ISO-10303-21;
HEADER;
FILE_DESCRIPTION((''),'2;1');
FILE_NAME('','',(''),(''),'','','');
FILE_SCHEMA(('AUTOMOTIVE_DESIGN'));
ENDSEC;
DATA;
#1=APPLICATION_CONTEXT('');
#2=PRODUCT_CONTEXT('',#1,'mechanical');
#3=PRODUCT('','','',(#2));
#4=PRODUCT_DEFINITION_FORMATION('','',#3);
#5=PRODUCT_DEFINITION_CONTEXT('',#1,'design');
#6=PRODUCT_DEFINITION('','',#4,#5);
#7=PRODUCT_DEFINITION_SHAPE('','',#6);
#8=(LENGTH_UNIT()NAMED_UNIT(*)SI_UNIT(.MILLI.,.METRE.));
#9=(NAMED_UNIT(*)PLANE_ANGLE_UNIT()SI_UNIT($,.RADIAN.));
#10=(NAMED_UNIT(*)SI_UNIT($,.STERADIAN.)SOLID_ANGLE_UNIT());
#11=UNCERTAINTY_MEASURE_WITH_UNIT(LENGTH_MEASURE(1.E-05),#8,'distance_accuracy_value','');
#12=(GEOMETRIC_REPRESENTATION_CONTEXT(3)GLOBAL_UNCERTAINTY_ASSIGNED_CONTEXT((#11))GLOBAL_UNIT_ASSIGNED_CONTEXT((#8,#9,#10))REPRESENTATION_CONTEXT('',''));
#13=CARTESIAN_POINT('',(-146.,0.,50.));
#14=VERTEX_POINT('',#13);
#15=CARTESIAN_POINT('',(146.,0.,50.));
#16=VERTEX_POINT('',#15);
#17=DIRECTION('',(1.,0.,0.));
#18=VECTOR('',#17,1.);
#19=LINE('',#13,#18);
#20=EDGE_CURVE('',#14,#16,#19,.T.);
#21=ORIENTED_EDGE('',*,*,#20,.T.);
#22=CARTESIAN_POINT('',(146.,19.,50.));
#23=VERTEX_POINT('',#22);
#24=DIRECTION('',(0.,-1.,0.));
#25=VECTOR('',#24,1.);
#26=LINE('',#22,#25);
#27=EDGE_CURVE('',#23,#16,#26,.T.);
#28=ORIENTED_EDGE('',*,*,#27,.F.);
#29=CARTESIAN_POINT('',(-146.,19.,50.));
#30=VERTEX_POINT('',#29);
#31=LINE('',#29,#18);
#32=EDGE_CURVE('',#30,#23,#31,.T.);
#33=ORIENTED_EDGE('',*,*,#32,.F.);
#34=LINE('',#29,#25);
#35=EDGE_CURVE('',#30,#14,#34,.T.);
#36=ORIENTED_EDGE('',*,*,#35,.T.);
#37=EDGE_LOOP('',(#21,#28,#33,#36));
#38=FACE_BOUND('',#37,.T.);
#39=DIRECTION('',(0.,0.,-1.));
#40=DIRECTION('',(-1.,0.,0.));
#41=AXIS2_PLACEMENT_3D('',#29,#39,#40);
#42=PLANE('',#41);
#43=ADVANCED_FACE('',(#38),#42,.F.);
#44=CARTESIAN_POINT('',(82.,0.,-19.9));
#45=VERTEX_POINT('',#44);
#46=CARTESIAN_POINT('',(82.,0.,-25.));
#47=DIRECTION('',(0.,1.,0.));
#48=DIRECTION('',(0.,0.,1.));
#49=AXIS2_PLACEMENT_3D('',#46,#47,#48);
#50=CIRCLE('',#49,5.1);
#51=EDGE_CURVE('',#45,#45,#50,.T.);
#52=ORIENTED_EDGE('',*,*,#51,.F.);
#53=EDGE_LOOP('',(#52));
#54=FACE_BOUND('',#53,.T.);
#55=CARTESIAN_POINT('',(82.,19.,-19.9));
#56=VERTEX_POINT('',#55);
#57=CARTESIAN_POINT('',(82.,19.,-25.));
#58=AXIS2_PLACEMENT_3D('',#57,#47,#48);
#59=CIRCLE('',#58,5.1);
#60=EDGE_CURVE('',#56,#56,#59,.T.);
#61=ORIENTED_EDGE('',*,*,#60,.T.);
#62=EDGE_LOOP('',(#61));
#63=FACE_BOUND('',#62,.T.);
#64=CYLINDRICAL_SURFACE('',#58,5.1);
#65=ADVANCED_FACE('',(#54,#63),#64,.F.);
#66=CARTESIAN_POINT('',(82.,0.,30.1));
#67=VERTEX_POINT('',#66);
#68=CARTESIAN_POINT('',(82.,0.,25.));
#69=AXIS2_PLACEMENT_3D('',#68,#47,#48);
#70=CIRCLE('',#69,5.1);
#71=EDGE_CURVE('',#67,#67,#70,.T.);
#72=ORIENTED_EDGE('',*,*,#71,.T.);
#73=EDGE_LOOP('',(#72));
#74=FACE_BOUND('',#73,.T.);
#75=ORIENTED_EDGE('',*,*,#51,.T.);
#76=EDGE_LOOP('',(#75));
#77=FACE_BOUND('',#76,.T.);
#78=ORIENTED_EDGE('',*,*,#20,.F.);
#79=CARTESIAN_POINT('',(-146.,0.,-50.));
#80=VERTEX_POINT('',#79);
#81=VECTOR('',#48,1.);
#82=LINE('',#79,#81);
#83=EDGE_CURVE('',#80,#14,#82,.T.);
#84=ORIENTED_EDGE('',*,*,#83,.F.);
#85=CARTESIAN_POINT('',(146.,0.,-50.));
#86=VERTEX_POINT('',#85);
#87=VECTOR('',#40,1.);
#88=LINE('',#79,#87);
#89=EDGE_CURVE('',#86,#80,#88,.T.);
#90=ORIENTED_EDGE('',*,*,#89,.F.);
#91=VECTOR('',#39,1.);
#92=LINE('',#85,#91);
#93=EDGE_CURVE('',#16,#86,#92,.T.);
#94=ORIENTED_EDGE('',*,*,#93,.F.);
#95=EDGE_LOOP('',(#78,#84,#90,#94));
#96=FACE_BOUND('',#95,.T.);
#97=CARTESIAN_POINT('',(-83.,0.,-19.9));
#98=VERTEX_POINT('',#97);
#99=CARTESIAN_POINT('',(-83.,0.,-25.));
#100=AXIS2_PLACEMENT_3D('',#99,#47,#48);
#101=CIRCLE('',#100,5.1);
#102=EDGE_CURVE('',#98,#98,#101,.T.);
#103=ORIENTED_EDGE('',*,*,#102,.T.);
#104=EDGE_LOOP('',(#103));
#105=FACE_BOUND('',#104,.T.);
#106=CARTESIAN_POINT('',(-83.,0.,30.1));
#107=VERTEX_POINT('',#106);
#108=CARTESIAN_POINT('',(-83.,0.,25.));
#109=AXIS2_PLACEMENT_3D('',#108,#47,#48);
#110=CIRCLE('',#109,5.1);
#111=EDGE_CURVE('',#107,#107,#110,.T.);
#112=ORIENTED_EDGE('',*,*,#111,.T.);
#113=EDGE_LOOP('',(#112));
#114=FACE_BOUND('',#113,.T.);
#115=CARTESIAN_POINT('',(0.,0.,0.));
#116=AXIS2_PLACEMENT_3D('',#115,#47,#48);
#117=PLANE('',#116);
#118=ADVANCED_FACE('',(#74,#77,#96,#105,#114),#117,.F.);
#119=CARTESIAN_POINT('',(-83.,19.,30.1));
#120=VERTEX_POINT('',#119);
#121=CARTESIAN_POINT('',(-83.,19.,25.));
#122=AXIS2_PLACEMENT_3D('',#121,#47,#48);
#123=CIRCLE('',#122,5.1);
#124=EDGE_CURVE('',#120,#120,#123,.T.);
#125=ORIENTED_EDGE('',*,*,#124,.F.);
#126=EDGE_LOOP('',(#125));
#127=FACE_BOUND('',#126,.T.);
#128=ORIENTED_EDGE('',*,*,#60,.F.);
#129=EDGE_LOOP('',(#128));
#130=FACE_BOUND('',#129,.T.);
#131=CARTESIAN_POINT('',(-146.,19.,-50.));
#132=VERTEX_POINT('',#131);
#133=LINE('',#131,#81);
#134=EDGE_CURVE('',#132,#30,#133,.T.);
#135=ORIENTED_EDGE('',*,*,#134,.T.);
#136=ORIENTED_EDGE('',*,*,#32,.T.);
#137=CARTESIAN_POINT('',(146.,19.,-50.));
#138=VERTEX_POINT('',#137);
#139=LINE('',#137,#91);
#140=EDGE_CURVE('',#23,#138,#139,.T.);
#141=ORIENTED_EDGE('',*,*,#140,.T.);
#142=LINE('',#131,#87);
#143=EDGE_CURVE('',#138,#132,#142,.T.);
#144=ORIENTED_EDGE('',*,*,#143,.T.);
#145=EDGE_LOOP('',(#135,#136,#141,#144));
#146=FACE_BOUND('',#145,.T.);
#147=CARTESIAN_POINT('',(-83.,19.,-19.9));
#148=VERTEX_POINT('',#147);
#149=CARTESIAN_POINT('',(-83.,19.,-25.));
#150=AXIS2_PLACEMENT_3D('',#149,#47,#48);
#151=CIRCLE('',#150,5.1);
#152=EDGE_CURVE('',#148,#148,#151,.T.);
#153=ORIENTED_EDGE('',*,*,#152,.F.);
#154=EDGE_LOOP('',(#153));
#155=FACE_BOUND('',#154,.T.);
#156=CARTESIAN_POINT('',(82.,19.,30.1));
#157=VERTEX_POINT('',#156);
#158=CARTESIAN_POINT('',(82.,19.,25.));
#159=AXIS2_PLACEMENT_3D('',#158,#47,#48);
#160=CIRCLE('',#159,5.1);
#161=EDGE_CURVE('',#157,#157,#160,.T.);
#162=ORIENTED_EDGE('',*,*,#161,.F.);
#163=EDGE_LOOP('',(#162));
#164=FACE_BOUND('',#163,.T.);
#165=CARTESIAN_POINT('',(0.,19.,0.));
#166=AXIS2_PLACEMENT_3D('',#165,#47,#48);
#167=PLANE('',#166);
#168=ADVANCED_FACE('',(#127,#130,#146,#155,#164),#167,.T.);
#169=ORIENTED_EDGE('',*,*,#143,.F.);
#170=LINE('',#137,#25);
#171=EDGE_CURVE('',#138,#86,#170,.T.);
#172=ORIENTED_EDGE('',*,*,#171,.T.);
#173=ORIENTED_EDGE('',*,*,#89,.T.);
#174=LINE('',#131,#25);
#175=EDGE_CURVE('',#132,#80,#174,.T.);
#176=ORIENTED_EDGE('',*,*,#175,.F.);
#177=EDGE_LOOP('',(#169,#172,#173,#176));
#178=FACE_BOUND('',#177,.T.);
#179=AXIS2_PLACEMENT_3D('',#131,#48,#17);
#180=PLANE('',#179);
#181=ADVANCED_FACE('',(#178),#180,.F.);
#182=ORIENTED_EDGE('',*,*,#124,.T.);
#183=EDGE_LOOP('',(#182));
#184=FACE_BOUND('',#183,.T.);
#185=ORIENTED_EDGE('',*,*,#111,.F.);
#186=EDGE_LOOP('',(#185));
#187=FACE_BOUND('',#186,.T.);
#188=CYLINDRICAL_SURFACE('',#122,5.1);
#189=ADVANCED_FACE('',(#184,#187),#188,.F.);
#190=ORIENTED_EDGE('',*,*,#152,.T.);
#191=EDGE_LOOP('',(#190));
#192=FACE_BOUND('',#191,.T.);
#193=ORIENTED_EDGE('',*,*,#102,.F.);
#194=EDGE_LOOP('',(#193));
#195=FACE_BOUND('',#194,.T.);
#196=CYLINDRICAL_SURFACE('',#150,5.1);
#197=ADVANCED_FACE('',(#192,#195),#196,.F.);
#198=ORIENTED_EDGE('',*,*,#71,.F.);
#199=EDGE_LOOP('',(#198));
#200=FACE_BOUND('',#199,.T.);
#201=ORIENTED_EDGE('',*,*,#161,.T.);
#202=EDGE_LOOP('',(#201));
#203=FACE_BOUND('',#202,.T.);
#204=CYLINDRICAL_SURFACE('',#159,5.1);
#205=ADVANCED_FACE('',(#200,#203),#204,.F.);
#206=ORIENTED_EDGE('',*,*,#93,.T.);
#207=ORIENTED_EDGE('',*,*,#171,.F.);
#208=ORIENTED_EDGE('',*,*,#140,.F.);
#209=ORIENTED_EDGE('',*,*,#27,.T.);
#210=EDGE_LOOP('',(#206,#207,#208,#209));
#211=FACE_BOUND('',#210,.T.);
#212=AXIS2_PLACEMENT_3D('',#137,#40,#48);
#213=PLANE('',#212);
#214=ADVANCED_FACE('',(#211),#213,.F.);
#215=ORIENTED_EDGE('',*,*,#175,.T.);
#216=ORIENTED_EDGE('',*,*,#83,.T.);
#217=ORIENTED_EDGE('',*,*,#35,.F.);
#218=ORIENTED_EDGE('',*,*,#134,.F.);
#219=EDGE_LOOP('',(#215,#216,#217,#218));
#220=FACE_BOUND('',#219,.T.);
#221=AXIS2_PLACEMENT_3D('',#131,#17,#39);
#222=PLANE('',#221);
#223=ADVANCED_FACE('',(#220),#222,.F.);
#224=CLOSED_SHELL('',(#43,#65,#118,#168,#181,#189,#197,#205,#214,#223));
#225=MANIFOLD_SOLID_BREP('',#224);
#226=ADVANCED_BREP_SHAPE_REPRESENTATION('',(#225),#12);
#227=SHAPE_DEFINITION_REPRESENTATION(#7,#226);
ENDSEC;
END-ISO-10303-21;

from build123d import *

# Parameters (mm, degrees)
SCHIZZO1_W                   = 292
SCHIZZO1_H                   = 100
ESTRUSIONE_ESTRUSIONE1_DEPTH = 19
FORO_FILETTATO_M12_1_D       = 10.2


with BuildPart() as part:
    # Schizzo1 → Estrusione-Estrusione1 (new body)
    with BuildSketch(Plane(origin=(0, 0, 0), x_dir=(1, 0, 0), z_dir=(0, 1, 0))):
        Rectangle(SCHIZZO1_W, SCHIZZO1_H)
    extrude(amount=ESTRUSIONE_ESTRUSIONE1_DEPTH)

    # Foro filettato M12-1 (through all)
    with Locations(Plane(origin=(-83, 19, -25), x_dir=(0, 0, 1), z_dir=(0, 1, 0))):
        with Locations((0, 0), (0, 165), (50, 165), (50, 0)):
            Hole(FORO_FILETTATO_M12_1_D / 2)


solid = part.part
